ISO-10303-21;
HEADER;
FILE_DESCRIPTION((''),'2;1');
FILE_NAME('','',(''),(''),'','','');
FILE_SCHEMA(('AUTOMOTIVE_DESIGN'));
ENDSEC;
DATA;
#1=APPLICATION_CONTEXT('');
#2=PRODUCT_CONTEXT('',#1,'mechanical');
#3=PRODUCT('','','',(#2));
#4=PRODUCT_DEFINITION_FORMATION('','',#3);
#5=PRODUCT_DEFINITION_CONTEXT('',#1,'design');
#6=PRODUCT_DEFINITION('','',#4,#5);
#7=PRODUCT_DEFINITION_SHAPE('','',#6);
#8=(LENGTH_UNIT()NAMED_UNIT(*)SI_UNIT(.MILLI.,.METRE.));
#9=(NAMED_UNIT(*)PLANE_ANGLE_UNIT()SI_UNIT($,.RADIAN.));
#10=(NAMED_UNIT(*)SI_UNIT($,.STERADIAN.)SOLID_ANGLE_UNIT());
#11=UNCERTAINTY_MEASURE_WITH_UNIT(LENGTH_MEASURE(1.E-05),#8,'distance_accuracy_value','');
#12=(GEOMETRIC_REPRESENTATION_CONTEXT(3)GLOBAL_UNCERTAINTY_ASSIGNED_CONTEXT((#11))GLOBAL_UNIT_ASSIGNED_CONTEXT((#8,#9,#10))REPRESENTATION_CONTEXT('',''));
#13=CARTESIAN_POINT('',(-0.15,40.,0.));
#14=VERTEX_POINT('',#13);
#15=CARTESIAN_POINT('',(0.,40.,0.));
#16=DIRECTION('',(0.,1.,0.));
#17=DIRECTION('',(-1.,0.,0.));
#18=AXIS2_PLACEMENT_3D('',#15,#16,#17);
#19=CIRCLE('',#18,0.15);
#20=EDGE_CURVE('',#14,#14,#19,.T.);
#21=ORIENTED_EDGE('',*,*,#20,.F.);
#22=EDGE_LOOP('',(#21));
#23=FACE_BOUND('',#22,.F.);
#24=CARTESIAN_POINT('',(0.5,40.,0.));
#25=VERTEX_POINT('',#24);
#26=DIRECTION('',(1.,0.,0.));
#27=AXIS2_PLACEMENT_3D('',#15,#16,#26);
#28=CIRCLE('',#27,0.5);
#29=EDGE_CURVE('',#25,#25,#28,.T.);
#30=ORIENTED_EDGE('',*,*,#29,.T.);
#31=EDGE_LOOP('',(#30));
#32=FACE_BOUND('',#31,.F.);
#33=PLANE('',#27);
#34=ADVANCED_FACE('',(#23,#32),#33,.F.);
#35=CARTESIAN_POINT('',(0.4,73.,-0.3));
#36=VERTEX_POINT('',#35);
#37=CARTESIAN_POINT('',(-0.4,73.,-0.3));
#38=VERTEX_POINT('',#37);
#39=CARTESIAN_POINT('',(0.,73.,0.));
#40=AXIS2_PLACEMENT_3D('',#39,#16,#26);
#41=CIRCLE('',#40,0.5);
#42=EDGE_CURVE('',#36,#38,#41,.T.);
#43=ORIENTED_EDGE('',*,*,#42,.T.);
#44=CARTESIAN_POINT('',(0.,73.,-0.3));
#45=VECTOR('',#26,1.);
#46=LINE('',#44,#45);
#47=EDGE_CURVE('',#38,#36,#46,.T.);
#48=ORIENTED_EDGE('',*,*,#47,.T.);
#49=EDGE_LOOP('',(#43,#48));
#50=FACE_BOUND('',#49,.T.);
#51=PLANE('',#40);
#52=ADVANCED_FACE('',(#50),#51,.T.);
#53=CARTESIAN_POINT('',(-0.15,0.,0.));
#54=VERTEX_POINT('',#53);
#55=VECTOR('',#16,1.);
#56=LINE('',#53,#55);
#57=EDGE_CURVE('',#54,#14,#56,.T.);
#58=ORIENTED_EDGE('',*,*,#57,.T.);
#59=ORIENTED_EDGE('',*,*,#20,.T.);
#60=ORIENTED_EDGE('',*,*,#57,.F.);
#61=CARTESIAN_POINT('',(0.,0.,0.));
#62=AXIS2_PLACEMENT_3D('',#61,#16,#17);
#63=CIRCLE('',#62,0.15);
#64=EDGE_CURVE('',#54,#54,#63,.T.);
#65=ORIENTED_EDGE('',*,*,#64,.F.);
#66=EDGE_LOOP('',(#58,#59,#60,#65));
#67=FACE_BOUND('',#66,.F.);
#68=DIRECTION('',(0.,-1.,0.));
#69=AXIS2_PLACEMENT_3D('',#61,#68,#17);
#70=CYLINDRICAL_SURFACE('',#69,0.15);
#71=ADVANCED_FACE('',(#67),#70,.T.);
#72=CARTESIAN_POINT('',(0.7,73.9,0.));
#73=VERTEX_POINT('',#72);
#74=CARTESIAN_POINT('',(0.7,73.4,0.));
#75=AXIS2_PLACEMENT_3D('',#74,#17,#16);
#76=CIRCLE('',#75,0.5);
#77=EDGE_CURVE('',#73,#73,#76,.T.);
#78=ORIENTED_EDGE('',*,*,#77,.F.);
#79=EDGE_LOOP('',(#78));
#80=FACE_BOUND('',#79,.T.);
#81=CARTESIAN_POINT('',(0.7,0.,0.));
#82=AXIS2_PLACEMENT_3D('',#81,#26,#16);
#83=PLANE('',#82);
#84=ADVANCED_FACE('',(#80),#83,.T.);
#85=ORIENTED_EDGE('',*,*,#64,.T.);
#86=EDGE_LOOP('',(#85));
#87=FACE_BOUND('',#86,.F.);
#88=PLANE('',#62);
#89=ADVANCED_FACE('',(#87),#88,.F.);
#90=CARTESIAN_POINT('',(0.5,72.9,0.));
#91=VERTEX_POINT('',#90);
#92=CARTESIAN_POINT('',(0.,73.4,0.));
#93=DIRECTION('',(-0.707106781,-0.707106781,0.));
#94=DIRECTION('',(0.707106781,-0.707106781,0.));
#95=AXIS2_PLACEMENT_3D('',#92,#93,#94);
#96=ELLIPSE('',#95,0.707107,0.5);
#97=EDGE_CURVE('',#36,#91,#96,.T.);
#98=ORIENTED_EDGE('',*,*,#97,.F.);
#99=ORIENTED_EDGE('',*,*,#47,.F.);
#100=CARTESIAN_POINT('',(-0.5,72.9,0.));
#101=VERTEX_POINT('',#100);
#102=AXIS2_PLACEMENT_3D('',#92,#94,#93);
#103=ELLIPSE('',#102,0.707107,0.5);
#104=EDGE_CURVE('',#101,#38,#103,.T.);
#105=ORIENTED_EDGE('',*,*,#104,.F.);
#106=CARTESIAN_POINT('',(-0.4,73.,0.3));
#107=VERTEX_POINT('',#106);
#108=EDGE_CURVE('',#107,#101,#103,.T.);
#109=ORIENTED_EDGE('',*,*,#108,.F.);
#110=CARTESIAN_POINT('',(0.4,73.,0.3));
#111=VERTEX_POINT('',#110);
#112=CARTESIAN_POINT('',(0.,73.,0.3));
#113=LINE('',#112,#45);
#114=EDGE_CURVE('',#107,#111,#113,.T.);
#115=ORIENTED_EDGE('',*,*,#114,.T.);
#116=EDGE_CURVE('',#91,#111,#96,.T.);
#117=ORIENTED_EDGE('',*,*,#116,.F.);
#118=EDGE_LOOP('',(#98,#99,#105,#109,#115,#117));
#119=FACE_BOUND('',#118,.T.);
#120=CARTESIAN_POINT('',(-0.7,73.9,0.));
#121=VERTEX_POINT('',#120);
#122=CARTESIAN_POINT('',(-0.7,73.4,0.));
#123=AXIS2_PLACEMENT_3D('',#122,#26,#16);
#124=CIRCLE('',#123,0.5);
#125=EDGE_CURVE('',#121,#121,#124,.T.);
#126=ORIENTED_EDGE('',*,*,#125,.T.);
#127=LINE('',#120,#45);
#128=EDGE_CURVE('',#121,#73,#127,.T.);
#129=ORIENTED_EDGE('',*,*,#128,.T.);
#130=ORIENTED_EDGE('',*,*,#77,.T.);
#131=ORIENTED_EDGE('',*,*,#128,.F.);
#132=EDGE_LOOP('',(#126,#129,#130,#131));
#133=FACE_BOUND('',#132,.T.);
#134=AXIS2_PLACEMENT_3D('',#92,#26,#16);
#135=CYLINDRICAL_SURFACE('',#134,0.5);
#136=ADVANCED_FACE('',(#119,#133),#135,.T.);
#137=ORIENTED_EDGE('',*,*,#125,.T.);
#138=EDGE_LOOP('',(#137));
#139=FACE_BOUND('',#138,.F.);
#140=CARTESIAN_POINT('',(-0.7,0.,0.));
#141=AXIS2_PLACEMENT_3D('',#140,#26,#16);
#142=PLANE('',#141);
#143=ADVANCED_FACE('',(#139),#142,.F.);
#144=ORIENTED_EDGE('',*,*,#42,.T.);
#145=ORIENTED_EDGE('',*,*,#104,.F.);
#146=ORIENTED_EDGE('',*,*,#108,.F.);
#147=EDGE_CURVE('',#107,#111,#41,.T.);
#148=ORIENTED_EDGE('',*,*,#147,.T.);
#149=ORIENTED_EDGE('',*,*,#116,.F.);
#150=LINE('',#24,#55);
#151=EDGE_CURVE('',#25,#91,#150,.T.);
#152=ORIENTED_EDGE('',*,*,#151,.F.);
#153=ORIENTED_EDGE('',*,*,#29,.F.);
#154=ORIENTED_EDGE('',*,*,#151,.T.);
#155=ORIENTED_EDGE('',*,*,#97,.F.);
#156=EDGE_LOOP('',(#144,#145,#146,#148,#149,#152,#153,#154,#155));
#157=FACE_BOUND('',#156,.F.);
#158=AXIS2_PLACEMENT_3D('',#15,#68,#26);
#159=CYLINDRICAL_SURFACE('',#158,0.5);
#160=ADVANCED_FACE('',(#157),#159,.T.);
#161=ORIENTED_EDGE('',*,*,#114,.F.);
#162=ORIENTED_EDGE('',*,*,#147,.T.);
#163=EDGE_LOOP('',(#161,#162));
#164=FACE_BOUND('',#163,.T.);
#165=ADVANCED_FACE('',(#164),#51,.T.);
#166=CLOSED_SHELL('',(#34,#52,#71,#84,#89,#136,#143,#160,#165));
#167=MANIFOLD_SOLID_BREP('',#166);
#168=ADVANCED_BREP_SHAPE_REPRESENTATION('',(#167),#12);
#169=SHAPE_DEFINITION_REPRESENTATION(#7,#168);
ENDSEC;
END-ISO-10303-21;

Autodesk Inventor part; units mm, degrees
ref_plane "YZ Plane" through (0, 0, 0) normal (1, 0, 0) x (0, 1, 0)
ref_plane "XZ Plane" through (0, 0, 0) normal (0, 1, 0) x (-1, 0, 0)
ref_plane "XY Plane" through (0, 0, 0) normal (0, 0, 1) x (1, 0, 0)
sketch "Sketch1" plane through (0, 0, 0) normal (0, 1, 0) x (-1, 0, 0)
  circle A0 centre (0, 0) radius 0.15
  dimension "d0" = 0.3
extrude "Extrusion1" add sketch "Sketch1" along normal blind 40
sketch "Sketch2" plane through (0, 40, 0) normal (0, 1, 0) x (1, 0, 0)
  circle A0 centre (0, 0) radius 0.5
  dimension "d3" = 1
extrude "Extrusion2" add sketch "Sketch2" along normal blind 33
sketch "Sketch3" plane through (0, 0, 0) normal (1, 0, 0) x (0, 1, 0)
  line L0 (73, -0.5) -> (73, 0.5) projected
  line L1 (73, 0) -> (73.4, 0)
  circle A0 centre (73.4, 0) radius 0.5
  point P0 (0, 0)
  dimension "d6" = 0.4
  dimension "d7" = 1
extrude "Extrusion3" add sketch "Sketch3" along normal mid plane 1.4
properties part number "neddle"
